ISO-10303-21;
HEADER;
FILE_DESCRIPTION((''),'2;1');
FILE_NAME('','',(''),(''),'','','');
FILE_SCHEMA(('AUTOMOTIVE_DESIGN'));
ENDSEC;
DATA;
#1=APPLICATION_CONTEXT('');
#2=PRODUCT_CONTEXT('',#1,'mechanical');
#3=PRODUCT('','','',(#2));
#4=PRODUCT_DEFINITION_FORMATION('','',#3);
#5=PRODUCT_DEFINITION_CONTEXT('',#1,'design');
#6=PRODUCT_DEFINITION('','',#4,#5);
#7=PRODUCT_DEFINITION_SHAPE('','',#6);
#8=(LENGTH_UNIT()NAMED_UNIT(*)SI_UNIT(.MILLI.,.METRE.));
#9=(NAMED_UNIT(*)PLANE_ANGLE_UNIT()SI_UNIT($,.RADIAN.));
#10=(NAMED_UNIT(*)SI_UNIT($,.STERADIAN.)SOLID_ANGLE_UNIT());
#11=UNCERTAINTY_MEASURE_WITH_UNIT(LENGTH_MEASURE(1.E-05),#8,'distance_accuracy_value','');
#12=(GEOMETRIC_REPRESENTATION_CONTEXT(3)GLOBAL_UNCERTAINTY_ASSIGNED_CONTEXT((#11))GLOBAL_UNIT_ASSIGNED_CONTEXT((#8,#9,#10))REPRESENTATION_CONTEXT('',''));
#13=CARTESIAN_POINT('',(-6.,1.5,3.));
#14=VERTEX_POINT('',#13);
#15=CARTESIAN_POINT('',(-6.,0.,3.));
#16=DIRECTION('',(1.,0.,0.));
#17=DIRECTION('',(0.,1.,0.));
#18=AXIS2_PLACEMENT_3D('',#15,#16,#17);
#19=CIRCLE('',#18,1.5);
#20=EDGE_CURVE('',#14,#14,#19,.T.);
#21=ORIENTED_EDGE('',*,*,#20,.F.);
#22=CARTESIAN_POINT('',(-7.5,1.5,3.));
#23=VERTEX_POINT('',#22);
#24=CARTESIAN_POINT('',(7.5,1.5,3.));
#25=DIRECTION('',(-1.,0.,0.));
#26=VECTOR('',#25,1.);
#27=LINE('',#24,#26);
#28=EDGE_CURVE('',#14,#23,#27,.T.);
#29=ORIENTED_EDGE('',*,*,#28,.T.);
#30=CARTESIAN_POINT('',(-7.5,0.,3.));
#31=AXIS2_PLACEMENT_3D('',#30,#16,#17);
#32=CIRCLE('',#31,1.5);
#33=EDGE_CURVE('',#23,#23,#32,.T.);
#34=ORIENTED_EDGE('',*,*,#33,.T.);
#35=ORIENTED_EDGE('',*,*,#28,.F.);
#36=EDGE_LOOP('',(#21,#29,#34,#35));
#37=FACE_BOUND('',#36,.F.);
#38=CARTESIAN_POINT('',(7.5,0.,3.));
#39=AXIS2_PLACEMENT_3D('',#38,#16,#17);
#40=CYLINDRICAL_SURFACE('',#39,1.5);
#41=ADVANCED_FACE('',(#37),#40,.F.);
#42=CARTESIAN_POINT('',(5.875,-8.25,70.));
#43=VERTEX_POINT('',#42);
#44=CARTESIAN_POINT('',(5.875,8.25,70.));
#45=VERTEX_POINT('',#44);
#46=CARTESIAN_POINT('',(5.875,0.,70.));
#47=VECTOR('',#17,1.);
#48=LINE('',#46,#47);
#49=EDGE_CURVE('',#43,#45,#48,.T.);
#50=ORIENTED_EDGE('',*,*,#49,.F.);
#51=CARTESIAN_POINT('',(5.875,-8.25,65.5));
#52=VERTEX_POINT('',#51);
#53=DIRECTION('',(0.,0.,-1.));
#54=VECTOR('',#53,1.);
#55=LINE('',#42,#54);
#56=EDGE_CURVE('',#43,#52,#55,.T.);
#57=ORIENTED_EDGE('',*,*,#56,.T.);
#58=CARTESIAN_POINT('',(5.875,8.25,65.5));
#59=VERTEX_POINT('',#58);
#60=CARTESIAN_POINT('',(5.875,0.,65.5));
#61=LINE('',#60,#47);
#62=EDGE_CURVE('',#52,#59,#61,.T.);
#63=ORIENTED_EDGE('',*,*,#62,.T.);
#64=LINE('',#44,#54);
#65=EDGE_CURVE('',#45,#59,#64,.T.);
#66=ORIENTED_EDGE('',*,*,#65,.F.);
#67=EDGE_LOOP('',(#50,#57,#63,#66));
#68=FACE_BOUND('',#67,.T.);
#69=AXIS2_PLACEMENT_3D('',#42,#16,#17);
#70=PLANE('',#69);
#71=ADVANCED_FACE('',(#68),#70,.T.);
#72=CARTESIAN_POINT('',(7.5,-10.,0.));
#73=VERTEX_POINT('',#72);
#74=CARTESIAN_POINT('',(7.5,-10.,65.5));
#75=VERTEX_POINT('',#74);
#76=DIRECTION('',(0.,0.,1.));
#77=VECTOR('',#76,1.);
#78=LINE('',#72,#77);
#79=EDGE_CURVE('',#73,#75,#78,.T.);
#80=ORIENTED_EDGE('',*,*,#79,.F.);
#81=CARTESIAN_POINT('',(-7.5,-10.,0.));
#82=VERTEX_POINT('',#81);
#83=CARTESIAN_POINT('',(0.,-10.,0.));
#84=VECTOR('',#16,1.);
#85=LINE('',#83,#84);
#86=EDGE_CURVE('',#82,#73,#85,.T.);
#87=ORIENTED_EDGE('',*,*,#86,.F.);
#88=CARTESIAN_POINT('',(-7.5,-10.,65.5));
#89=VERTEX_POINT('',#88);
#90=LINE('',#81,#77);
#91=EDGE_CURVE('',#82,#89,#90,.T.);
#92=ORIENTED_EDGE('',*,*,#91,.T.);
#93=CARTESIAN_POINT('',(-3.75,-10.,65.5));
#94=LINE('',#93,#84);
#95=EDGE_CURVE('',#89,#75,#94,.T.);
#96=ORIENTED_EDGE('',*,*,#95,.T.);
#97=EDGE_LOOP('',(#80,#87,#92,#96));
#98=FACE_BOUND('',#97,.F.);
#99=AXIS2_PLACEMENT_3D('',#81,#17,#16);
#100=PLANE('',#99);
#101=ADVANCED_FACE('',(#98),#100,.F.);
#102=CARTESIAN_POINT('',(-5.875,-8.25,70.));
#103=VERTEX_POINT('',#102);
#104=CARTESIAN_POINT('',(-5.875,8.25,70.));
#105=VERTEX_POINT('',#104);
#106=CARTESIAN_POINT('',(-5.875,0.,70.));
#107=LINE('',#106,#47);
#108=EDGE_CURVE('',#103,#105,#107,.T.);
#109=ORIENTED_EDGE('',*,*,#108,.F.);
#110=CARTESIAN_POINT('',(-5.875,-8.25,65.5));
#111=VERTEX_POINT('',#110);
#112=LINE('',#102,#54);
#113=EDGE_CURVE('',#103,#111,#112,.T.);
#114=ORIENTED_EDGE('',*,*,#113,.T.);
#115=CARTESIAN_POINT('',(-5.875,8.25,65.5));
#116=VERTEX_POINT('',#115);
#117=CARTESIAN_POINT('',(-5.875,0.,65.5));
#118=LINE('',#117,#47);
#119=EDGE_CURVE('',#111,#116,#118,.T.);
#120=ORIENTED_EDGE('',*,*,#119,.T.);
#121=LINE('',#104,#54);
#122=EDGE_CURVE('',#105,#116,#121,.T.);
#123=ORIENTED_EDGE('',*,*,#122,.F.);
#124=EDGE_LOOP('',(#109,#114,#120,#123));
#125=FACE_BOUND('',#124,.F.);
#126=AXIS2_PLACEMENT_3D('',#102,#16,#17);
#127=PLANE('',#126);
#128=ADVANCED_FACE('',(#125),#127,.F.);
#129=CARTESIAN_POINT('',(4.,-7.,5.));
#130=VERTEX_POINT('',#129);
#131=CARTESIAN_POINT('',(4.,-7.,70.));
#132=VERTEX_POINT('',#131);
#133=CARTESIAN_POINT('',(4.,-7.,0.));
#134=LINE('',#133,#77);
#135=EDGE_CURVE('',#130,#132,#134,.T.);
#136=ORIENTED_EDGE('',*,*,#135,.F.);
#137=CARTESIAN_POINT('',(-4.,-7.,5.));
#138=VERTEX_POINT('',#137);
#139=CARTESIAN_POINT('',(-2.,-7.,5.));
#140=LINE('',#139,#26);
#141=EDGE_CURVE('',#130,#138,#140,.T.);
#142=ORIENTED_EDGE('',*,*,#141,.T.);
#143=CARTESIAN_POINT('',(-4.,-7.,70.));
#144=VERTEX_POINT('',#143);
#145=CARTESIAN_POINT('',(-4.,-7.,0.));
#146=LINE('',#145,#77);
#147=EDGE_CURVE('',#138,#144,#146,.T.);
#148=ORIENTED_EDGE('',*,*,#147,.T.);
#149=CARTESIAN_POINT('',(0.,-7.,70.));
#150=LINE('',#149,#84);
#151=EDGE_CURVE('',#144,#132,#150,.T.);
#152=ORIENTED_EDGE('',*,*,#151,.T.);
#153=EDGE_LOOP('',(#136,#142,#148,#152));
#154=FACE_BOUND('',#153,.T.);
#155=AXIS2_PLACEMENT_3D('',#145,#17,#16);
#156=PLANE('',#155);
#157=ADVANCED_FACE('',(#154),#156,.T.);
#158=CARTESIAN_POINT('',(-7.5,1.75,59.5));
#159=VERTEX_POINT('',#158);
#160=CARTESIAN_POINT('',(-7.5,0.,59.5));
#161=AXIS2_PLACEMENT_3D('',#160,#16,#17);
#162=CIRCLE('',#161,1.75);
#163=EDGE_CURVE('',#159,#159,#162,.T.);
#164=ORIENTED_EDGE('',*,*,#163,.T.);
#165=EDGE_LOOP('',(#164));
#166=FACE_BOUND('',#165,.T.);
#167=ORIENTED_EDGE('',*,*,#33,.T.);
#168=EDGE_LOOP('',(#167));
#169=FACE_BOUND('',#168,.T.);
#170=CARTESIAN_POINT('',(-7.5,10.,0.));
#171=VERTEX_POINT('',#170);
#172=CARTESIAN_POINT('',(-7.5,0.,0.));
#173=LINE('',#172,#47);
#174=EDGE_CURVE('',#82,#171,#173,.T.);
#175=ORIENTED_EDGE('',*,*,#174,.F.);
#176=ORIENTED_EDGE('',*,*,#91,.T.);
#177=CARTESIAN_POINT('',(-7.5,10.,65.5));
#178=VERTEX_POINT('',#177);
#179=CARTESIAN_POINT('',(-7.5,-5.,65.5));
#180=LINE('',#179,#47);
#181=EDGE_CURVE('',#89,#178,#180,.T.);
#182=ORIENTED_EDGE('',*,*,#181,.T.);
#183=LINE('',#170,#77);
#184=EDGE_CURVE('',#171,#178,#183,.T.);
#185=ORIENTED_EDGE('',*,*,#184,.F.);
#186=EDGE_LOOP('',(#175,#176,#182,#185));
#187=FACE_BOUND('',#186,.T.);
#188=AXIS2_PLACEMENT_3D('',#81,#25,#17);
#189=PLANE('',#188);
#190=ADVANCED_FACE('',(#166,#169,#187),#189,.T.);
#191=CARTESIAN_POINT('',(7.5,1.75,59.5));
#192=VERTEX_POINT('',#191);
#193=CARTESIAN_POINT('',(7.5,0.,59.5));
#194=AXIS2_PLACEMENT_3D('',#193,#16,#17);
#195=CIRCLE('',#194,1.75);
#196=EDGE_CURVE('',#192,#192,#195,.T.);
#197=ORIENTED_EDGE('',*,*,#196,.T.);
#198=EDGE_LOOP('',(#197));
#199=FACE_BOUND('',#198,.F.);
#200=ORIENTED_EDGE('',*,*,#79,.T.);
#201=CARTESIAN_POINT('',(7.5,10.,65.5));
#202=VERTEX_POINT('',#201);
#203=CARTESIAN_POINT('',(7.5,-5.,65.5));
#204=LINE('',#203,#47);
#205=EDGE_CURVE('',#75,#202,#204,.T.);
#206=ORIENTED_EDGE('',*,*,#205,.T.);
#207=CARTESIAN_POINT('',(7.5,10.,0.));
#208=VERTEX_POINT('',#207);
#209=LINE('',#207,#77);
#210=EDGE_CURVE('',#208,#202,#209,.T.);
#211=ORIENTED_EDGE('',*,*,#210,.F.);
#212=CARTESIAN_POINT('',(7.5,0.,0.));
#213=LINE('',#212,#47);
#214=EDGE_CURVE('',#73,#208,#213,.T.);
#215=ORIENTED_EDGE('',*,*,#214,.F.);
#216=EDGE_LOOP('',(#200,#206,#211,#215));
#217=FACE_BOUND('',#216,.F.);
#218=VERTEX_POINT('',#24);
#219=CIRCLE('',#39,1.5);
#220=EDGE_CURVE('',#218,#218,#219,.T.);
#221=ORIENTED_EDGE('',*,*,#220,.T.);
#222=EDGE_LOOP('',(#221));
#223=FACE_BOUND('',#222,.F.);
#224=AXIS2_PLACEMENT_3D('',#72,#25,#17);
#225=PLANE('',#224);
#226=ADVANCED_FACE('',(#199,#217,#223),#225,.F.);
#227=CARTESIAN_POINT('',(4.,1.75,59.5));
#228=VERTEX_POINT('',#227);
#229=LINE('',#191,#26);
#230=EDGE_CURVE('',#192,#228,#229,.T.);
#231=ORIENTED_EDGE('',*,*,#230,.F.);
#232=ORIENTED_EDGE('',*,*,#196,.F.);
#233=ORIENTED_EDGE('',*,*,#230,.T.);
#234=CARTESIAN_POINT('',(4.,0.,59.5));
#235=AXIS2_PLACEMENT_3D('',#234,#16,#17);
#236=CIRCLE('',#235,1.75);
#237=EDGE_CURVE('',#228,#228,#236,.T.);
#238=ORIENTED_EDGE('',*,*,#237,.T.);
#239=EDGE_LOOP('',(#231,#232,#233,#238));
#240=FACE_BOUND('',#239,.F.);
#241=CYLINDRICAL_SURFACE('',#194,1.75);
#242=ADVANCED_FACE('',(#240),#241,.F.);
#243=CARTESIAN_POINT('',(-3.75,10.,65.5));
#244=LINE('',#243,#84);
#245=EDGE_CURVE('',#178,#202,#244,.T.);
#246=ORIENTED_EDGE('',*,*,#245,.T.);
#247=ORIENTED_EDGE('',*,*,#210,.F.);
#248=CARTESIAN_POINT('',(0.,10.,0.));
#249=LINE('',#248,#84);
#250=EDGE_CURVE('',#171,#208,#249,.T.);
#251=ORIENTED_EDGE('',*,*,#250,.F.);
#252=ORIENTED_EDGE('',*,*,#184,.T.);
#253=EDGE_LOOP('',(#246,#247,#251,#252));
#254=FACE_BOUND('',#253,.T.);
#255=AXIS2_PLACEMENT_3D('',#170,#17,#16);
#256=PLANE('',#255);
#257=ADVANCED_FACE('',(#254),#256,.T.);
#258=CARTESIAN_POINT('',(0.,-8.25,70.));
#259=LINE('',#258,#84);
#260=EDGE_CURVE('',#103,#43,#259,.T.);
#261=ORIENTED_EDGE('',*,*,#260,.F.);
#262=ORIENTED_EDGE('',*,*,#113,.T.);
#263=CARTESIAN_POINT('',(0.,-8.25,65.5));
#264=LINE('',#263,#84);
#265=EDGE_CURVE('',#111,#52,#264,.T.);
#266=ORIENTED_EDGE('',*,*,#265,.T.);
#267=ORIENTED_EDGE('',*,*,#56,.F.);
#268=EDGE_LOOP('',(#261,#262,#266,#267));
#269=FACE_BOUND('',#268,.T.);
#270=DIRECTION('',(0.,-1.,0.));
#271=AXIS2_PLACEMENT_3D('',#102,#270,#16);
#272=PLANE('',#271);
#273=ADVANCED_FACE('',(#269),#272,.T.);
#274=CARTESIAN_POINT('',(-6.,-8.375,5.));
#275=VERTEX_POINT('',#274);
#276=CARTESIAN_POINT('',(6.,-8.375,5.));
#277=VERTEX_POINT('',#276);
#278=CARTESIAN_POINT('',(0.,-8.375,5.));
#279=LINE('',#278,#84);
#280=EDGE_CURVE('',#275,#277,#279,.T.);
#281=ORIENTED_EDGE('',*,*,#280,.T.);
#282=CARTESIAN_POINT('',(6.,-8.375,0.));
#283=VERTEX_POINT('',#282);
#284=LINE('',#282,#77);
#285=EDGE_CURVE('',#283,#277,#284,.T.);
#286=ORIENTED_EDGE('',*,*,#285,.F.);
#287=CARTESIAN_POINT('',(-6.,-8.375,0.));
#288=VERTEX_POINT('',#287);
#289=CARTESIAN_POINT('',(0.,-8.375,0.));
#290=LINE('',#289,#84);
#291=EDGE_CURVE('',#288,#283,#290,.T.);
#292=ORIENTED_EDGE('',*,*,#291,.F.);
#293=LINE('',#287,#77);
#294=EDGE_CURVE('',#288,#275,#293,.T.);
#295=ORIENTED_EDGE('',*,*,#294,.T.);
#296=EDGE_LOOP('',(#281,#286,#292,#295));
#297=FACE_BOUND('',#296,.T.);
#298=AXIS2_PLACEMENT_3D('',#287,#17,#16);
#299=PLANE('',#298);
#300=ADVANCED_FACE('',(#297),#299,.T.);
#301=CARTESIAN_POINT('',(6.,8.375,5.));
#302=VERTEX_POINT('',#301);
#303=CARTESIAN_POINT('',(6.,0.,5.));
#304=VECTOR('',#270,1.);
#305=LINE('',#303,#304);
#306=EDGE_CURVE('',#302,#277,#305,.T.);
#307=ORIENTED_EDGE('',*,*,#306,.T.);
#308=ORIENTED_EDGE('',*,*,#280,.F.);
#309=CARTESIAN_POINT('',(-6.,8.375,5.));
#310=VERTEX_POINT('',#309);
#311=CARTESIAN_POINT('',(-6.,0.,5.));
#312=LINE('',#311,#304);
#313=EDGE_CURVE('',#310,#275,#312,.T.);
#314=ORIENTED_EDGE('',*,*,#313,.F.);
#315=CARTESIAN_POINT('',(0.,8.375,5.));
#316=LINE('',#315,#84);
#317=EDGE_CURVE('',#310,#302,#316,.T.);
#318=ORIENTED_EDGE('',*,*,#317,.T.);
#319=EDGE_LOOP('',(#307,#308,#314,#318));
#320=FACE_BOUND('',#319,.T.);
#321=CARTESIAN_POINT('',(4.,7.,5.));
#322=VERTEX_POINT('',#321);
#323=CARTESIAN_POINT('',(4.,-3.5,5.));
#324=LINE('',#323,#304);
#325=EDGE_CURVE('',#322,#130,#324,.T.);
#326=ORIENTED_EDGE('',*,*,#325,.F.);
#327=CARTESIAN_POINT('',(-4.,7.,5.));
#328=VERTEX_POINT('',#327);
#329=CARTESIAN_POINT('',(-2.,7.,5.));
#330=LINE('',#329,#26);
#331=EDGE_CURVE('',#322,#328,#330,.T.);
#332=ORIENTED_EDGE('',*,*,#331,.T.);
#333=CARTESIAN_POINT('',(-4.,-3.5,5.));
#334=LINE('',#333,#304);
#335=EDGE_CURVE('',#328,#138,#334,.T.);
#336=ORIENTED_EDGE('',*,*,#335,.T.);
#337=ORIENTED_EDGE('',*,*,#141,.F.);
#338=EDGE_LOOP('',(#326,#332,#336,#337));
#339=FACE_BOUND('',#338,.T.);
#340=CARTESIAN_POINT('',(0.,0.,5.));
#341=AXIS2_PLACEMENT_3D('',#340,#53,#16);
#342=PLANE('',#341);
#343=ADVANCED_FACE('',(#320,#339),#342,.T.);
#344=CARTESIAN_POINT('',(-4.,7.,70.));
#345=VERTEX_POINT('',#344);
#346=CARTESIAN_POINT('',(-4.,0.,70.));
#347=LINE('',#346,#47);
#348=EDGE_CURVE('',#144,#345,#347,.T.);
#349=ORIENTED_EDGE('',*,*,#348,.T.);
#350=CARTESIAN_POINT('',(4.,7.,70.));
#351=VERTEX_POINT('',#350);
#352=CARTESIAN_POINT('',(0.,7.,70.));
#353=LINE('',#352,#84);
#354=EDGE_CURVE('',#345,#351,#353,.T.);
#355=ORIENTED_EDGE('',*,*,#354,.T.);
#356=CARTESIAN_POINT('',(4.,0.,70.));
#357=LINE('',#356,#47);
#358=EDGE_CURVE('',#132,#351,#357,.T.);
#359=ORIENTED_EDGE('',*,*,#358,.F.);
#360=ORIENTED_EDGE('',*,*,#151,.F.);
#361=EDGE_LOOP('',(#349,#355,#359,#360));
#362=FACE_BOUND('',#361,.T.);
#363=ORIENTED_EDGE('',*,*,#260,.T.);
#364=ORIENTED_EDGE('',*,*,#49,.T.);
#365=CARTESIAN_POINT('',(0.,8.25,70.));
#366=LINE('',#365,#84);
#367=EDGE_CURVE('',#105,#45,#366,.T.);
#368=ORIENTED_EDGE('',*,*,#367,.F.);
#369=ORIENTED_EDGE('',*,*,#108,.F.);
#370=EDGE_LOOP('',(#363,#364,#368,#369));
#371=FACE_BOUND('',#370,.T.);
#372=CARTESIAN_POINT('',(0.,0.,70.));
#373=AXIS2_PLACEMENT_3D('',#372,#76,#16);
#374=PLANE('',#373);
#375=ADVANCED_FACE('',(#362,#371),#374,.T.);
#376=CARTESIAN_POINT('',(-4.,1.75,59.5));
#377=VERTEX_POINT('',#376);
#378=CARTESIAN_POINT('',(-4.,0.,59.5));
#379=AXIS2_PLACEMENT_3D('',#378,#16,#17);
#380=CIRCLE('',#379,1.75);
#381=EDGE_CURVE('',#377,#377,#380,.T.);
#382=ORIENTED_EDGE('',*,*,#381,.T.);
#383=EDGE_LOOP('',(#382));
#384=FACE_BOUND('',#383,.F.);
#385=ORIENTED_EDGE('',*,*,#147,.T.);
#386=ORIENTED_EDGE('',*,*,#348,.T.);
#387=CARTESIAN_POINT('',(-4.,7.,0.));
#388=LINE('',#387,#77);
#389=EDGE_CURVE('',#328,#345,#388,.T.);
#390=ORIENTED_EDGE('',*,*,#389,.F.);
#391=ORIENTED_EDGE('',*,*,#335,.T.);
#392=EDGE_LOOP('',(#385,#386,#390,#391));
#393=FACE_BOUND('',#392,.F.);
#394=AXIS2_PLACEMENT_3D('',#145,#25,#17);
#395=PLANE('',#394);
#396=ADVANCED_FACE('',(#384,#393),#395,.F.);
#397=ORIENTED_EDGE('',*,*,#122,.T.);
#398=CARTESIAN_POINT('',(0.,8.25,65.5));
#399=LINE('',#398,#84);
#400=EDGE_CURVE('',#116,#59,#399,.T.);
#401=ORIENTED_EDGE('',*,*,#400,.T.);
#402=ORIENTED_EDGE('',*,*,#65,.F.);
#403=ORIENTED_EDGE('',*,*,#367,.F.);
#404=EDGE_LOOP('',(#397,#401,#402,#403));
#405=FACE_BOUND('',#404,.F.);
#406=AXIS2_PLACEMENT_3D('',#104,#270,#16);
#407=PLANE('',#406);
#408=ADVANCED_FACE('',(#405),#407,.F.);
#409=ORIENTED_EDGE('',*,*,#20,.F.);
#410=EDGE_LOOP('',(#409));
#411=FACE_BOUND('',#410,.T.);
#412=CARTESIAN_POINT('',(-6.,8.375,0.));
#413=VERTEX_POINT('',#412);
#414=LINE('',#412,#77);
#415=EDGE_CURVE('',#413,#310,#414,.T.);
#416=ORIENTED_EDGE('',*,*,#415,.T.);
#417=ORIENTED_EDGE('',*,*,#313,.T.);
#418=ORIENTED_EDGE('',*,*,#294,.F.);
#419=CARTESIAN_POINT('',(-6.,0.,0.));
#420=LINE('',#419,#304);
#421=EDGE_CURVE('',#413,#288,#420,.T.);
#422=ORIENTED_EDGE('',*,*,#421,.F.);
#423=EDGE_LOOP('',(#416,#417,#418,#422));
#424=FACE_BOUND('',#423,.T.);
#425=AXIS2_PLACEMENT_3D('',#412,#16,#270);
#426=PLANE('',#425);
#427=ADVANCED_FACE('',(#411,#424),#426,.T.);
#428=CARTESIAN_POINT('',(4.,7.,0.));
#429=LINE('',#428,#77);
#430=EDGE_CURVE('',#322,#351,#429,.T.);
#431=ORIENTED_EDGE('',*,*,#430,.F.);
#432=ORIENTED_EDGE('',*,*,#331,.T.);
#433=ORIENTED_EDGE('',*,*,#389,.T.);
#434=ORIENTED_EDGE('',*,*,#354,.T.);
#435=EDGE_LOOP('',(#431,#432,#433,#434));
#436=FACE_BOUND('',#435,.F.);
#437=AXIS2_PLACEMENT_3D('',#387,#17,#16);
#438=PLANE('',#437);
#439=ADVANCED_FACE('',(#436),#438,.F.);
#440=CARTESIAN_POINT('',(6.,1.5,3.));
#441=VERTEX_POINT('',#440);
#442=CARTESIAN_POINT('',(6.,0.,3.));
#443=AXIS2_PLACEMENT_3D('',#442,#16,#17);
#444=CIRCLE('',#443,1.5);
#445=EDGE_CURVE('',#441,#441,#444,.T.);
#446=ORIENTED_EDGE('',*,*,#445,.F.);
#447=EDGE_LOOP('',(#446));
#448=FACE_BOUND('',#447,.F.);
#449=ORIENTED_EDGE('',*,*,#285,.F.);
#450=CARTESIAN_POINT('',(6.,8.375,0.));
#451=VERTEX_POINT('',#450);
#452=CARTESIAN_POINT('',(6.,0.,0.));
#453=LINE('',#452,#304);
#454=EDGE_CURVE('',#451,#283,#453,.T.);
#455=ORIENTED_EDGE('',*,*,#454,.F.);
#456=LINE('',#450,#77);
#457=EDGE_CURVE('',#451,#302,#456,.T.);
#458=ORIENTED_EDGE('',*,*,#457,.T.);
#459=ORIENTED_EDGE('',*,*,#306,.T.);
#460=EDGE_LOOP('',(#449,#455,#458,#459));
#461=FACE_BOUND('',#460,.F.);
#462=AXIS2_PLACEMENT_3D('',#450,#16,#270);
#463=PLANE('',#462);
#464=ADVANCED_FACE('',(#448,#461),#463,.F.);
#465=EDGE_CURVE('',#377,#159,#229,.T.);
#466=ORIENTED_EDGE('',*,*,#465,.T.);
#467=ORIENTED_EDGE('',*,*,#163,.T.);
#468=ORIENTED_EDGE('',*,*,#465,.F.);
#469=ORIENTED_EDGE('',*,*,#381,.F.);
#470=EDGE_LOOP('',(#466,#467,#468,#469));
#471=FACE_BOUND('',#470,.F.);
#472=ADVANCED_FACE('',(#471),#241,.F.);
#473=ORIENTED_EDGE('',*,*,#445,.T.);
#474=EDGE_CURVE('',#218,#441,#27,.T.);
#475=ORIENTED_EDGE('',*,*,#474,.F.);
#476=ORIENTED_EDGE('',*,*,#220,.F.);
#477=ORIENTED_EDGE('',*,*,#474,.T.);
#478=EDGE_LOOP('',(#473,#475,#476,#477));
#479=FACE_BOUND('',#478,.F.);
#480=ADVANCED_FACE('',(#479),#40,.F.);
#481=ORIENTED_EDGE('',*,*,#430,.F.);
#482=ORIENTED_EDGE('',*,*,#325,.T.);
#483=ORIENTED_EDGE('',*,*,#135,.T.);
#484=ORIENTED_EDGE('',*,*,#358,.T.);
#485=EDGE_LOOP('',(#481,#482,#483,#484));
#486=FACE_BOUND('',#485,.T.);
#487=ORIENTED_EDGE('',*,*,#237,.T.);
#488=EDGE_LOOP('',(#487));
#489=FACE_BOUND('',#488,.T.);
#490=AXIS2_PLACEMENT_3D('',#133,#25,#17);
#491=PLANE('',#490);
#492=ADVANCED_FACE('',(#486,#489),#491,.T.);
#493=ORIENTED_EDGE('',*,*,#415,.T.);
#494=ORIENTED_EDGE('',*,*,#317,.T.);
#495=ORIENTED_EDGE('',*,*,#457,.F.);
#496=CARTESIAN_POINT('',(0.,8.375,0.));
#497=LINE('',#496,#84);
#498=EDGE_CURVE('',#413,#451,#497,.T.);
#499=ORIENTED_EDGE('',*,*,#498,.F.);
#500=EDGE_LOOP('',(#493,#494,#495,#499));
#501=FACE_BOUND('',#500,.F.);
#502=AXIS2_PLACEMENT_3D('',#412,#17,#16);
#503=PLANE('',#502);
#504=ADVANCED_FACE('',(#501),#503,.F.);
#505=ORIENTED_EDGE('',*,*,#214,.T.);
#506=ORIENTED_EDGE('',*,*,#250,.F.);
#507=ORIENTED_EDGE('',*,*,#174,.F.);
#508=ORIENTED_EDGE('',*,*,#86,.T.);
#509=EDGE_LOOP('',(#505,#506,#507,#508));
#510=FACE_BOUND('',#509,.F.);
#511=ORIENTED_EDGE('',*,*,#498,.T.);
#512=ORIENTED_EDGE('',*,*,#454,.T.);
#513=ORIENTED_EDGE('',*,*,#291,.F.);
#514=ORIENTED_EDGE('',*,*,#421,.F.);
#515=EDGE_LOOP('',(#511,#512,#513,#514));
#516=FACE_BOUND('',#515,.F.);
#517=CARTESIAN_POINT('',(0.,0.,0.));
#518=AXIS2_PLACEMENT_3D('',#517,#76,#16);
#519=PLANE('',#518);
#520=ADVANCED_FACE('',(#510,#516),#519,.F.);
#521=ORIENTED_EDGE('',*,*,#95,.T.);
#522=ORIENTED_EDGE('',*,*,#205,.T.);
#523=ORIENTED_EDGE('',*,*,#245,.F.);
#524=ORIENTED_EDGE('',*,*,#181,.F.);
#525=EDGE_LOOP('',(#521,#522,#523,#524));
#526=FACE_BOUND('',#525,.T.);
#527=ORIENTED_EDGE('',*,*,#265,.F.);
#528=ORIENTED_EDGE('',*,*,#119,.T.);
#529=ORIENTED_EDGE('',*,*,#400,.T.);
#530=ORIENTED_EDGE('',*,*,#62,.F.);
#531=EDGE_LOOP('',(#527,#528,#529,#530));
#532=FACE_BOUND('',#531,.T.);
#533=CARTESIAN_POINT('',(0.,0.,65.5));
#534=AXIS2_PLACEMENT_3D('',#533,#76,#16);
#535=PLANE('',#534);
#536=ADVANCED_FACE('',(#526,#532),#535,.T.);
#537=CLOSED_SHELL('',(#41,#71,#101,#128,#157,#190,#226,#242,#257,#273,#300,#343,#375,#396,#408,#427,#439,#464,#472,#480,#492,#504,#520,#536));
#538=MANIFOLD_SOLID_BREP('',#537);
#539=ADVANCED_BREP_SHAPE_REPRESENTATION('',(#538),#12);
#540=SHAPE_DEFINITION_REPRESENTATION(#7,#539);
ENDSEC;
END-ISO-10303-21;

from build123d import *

# Parameters (mm, degrees)
F0_W     = 15
F0_H     = 20
F0_W_2   = 8
F0_H_2   = 14
F1_DEPTH = 70
F2_W     = 18.400512
F2_H     = 24.49468
F2_W_2   = 11.75
F2_H_2   = 16.5
F3_DEPTH = 4.5
F4_R     = 1.75
F4_R_2   = 1.5
F5_DEPTH = 25
F6_W     = 12
F6_H     = 16.75
F7_DEPTH = 5


with BuildPart() as f1:
    # F0 (on Top) → F1 (new body)
    with BuildSketch(Plane.XY):
        Rectangle(F0_W, F0_H)
        Rectangle(F0_W_2, F0_H_2, mode=Mode.SUBTRACT)
    extrude(amount=F1_DEPTH)

    # F2 (on face) → F3 (cut)
    with BuildSketch(Plane.XY.offset(70)):
        Rectangle(F2_W, F2_H)
        Rectangle(F2_W_2, F2_H_2, mode=Mode.SUBTRACT)
    extrude(amount=-F3_DEPTH, mode=Mode.SUBTRACT)

    # F4 (on face) → F5 (cut)
    with BuildSketch(Plane.YZ.offset(7.5)):
        with Locations((0, 59.5)):
            Circle(F4_R)
        with Locations((0, 3)):
            Circle(F4_R_2)
    extrude(amount=-F5_DEPTH, mode=Mode.SUBTRACT)

    # F6 (on face) → F7 (cut)
    with BuildSketch(Plane(origin=(0, 0, 0), x_dir=(1, 0, 0), z_dir=(0, 0, -1))):
        Rectangle(F6_W, F6_H)
    extrude(amount=-F7_DEPTH, mode=Mode.SUBTRACT)


solid = f1.part
